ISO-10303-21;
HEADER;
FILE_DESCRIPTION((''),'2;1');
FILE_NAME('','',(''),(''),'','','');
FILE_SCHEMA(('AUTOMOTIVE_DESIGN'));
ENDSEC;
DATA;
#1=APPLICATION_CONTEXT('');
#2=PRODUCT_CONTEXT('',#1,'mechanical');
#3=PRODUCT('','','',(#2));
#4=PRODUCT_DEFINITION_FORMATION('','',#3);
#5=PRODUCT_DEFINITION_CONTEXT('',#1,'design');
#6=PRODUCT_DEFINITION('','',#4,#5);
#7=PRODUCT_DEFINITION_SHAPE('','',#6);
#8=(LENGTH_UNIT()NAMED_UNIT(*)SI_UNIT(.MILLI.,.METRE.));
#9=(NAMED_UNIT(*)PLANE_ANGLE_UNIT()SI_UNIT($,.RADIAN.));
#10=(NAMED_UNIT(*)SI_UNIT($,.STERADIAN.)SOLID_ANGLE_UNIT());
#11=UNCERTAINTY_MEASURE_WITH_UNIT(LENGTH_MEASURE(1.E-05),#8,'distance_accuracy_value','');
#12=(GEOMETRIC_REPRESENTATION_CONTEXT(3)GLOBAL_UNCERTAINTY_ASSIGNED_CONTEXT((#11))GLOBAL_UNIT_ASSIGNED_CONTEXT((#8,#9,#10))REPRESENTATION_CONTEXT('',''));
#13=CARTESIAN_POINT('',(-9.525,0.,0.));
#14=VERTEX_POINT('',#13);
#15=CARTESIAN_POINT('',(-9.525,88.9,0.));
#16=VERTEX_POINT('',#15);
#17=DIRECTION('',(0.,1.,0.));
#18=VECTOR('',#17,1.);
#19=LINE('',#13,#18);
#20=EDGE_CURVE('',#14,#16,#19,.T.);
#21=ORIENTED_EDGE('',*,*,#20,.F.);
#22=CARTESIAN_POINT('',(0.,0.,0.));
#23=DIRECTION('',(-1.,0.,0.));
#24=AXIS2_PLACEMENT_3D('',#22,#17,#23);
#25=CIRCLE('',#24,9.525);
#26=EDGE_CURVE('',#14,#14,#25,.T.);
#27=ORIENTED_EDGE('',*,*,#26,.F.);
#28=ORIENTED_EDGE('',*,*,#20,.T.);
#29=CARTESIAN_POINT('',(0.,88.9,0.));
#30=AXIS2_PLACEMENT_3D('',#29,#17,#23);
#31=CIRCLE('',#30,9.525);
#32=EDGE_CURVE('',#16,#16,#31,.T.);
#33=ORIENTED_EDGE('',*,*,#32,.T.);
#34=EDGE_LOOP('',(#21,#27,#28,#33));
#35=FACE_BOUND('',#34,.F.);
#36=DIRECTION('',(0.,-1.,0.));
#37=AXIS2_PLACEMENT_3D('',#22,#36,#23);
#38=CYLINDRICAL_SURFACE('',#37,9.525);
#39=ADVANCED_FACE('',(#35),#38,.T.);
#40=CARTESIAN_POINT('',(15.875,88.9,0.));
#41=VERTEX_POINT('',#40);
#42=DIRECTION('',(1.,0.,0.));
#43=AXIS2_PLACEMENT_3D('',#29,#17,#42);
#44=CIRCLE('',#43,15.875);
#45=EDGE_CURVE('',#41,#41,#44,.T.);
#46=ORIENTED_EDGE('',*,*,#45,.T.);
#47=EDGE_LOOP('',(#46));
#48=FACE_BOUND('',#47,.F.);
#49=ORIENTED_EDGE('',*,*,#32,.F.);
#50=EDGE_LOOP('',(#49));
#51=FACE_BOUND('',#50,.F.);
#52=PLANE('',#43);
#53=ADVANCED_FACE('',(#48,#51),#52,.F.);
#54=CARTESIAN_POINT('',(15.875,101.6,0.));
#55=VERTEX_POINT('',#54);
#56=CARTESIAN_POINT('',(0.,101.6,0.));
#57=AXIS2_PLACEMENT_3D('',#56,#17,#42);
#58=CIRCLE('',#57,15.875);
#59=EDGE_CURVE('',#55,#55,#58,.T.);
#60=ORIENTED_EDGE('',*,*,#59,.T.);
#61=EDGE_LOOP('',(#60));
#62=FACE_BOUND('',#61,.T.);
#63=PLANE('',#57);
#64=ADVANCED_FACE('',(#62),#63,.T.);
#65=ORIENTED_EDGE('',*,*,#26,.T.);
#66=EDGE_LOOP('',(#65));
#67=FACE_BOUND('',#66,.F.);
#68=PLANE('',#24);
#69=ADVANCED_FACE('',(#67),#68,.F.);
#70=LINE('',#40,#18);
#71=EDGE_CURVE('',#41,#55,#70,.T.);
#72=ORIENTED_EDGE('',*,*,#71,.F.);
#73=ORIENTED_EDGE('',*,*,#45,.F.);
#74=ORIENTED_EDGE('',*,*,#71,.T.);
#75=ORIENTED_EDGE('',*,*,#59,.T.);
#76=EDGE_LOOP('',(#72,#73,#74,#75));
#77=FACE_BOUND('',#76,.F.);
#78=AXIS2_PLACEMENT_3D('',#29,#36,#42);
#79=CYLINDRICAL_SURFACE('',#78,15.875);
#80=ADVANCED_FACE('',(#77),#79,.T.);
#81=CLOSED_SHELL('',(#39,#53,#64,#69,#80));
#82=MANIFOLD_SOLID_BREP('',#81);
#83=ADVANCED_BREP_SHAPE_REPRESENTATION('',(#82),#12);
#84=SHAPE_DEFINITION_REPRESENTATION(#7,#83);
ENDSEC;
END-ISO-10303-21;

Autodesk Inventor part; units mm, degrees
ref_plane "YZ Plane" through (0, 0, 0) normal (1, 0, 0) x (0, 1, 0)
ref_plane "XZ Plane" through (0, 0, 0) normal (0, 1, 0) x (-1, 0, 0)
ref_plane "XY Plane" through (0, 0, 0) normal (0, 0, 1) x (1, 0, 0)
sketch "Sketch1" plane through (0, 0, 0) normal (0, 1, 0) x (-1, 0, 0)
  circle A0 centre (0, 0) radius 9.525
  dimension "d0" = 19.05
extrude "Extrusion1" add sketch "Sketch1" along normal blind 88.9
sketch "Sketch2" plane through (0, 88.9, 0) normal (0, 1, 0) x (1, 0, 0)
  circle A0 centre (0, 0) radius 15.875
  dimension "d3" = 31.75
extrude "Extrusion2" add sketch "Sketch2" along normal blind 12.7
properties part number "InsertExample"
